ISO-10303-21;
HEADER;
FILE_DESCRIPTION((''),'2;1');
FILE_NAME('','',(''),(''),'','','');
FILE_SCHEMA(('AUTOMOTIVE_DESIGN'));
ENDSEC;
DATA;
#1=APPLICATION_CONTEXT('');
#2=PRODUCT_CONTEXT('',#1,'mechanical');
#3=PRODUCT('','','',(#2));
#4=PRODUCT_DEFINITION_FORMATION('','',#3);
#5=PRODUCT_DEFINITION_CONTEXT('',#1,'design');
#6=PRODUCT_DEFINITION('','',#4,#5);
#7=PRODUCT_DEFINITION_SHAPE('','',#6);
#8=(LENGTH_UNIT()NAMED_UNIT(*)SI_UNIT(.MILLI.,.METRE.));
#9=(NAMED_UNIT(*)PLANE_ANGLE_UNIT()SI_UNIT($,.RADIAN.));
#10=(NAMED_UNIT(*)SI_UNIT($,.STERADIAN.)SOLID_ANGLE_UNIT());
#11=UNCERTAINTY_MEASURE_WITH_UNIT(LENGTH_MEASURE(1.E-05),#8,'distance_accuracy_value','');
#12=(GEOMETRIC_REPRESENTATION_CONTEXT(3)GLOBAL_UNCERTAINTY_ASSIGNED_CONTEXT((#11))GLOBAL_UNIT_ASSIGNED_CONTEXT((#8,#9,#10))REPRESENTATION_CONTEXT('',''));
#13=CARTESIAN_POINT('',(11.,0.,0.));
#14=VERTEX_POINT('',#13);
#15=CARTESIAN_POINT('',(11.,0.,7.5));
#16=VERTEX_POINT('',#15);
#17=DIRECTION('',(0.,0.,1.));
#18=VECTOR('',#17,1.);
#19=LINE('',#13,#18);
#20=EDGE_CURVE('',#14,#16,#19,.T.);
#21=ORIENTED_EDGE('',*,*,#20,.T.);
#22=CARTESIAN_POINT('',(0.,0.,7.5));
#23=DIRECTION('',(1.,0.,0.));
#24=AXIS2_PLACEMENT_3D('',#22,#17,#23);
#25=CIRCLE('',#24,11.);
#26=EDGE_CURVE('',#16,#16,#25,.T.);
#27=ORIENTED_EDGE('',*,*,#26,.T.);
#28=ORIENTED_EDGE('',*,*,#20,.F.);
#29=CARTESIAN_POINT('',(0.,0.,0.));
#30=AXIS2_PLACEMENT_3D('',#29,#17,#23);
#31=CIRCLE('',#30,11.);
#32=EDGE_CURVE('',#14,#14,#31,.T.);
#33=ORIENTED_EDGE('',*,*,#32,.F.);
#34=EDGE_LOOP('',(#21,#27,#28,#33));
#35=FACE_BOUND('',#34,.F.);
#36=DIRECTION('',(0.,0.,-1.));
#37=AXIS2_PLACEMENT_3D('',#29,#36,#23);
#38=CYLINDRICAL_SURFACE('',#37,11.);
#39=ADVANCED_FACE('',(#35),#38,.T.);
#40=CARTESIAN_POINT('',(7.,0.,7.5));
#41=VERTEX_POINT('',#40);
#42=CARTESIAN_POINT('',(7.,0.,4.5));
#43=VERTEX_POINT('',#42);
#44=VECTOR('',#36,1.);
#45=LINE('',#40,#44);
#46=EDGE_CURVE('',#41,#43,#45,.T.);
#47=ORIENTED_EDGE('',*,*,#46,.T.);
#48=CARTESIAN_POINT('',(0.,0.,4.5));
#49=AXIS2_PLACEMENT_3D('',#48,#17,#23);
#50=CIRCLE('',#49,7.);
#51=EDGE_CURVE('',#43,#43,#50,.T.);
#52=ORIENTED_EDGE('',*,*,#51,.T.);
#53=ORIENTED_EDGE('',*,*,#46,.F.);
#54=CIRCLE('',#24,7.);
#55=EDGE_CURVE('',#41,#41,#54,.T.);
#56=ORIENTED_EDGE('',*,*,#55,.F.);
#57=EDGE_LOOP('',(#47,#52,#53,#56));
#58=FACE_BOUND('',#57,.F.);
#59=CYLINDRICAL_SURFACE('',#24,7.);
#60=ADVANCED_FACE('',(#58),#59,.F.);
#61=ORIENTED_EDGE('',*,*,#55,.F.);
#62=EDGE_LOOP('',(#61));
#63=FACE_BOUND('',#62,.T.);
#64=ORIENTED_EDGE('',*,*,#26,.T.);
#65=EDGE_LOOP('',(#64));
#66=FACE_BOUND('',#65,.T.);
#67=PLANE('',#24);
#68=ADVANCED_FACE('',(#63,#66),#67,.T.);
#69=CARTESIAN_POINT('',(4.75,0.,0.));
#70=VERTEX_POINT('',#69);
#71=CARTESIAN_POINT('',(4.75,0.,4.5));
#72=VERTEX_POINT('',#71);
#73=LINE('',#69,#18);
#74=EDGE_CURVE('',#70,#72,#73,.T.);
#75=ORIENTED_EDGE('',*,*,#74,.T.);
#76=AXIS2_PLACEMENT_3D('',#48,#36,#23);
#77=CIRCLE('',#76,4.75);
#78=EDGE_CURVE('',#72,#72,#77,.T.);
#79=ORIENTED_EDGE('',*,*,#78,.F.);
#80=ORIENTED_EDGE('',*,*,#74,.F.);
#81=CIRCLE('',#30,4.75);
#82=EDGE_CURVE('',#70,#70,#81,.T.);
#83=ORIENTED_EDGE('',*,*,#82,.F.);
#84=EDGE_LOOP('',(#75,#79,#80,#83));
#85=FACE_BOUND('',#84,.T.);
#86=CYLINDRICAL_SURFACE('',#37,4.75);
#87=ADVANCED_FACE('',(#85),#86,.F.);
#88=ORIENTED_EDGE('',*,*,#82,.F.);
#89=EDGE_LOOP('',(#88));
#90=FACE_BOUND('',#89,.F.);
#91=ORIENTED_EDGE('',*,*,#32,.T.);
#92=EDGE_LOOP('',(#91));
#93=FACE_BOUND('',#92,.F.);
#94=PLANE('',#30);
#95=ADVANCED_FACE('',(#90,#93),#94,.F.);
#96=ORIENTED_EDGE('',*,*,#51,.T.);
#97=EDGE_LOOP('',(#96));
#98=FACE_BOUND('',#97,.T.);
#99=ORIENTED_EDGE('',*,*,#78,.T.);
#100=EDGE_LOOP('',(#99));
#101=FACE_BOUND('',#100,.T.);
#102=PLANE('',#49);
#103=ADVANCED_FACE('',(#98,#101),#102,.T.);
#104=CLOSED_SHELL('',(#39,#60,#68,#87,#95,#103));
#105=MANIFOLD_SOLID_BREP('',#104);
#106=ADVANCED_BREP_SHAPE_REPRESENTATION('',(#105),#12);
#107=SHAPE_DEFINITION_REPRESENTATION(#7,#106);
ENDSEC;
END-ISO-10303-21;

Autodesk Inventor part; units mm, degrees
ref_plane "YZ Plane" through (0, 0, 0) normal (1, 0, 0) x (0, 1, 0)
ref_plane "XZ Plane" through (0, 0, 0) normal (0, 1, 0) x (-1, 0, 0)
ref_plane "XY Plane" through (0, 0, 0) normal (0, 0, 1) x (1, 0, 0)
sketch "Sketch1" plane through (0, 0, 0) normal (0, 0, 1) x (1, 0, 0)
  circle A0 centre (0, 0) radius 4.75
  circle A1 centre (0, 0) radius 11
  dimension "d0" = 9.5
  dimension "d1" = 22
extrude "Extrusion1" add sketch "Sketch1" along normal blind 7.5
sketch "Sketch2" plane through (0, 0, 7.5) normal (0, 0, 1) x (1, 0, 0)
  circle A0 centre (0, 0) radius 7
  dimension "d4" = 14
extrude "Extrusion2" cut sketch "Sketch2" against normal blind 3
properties part number "dystans 22..... 7,5mm"
